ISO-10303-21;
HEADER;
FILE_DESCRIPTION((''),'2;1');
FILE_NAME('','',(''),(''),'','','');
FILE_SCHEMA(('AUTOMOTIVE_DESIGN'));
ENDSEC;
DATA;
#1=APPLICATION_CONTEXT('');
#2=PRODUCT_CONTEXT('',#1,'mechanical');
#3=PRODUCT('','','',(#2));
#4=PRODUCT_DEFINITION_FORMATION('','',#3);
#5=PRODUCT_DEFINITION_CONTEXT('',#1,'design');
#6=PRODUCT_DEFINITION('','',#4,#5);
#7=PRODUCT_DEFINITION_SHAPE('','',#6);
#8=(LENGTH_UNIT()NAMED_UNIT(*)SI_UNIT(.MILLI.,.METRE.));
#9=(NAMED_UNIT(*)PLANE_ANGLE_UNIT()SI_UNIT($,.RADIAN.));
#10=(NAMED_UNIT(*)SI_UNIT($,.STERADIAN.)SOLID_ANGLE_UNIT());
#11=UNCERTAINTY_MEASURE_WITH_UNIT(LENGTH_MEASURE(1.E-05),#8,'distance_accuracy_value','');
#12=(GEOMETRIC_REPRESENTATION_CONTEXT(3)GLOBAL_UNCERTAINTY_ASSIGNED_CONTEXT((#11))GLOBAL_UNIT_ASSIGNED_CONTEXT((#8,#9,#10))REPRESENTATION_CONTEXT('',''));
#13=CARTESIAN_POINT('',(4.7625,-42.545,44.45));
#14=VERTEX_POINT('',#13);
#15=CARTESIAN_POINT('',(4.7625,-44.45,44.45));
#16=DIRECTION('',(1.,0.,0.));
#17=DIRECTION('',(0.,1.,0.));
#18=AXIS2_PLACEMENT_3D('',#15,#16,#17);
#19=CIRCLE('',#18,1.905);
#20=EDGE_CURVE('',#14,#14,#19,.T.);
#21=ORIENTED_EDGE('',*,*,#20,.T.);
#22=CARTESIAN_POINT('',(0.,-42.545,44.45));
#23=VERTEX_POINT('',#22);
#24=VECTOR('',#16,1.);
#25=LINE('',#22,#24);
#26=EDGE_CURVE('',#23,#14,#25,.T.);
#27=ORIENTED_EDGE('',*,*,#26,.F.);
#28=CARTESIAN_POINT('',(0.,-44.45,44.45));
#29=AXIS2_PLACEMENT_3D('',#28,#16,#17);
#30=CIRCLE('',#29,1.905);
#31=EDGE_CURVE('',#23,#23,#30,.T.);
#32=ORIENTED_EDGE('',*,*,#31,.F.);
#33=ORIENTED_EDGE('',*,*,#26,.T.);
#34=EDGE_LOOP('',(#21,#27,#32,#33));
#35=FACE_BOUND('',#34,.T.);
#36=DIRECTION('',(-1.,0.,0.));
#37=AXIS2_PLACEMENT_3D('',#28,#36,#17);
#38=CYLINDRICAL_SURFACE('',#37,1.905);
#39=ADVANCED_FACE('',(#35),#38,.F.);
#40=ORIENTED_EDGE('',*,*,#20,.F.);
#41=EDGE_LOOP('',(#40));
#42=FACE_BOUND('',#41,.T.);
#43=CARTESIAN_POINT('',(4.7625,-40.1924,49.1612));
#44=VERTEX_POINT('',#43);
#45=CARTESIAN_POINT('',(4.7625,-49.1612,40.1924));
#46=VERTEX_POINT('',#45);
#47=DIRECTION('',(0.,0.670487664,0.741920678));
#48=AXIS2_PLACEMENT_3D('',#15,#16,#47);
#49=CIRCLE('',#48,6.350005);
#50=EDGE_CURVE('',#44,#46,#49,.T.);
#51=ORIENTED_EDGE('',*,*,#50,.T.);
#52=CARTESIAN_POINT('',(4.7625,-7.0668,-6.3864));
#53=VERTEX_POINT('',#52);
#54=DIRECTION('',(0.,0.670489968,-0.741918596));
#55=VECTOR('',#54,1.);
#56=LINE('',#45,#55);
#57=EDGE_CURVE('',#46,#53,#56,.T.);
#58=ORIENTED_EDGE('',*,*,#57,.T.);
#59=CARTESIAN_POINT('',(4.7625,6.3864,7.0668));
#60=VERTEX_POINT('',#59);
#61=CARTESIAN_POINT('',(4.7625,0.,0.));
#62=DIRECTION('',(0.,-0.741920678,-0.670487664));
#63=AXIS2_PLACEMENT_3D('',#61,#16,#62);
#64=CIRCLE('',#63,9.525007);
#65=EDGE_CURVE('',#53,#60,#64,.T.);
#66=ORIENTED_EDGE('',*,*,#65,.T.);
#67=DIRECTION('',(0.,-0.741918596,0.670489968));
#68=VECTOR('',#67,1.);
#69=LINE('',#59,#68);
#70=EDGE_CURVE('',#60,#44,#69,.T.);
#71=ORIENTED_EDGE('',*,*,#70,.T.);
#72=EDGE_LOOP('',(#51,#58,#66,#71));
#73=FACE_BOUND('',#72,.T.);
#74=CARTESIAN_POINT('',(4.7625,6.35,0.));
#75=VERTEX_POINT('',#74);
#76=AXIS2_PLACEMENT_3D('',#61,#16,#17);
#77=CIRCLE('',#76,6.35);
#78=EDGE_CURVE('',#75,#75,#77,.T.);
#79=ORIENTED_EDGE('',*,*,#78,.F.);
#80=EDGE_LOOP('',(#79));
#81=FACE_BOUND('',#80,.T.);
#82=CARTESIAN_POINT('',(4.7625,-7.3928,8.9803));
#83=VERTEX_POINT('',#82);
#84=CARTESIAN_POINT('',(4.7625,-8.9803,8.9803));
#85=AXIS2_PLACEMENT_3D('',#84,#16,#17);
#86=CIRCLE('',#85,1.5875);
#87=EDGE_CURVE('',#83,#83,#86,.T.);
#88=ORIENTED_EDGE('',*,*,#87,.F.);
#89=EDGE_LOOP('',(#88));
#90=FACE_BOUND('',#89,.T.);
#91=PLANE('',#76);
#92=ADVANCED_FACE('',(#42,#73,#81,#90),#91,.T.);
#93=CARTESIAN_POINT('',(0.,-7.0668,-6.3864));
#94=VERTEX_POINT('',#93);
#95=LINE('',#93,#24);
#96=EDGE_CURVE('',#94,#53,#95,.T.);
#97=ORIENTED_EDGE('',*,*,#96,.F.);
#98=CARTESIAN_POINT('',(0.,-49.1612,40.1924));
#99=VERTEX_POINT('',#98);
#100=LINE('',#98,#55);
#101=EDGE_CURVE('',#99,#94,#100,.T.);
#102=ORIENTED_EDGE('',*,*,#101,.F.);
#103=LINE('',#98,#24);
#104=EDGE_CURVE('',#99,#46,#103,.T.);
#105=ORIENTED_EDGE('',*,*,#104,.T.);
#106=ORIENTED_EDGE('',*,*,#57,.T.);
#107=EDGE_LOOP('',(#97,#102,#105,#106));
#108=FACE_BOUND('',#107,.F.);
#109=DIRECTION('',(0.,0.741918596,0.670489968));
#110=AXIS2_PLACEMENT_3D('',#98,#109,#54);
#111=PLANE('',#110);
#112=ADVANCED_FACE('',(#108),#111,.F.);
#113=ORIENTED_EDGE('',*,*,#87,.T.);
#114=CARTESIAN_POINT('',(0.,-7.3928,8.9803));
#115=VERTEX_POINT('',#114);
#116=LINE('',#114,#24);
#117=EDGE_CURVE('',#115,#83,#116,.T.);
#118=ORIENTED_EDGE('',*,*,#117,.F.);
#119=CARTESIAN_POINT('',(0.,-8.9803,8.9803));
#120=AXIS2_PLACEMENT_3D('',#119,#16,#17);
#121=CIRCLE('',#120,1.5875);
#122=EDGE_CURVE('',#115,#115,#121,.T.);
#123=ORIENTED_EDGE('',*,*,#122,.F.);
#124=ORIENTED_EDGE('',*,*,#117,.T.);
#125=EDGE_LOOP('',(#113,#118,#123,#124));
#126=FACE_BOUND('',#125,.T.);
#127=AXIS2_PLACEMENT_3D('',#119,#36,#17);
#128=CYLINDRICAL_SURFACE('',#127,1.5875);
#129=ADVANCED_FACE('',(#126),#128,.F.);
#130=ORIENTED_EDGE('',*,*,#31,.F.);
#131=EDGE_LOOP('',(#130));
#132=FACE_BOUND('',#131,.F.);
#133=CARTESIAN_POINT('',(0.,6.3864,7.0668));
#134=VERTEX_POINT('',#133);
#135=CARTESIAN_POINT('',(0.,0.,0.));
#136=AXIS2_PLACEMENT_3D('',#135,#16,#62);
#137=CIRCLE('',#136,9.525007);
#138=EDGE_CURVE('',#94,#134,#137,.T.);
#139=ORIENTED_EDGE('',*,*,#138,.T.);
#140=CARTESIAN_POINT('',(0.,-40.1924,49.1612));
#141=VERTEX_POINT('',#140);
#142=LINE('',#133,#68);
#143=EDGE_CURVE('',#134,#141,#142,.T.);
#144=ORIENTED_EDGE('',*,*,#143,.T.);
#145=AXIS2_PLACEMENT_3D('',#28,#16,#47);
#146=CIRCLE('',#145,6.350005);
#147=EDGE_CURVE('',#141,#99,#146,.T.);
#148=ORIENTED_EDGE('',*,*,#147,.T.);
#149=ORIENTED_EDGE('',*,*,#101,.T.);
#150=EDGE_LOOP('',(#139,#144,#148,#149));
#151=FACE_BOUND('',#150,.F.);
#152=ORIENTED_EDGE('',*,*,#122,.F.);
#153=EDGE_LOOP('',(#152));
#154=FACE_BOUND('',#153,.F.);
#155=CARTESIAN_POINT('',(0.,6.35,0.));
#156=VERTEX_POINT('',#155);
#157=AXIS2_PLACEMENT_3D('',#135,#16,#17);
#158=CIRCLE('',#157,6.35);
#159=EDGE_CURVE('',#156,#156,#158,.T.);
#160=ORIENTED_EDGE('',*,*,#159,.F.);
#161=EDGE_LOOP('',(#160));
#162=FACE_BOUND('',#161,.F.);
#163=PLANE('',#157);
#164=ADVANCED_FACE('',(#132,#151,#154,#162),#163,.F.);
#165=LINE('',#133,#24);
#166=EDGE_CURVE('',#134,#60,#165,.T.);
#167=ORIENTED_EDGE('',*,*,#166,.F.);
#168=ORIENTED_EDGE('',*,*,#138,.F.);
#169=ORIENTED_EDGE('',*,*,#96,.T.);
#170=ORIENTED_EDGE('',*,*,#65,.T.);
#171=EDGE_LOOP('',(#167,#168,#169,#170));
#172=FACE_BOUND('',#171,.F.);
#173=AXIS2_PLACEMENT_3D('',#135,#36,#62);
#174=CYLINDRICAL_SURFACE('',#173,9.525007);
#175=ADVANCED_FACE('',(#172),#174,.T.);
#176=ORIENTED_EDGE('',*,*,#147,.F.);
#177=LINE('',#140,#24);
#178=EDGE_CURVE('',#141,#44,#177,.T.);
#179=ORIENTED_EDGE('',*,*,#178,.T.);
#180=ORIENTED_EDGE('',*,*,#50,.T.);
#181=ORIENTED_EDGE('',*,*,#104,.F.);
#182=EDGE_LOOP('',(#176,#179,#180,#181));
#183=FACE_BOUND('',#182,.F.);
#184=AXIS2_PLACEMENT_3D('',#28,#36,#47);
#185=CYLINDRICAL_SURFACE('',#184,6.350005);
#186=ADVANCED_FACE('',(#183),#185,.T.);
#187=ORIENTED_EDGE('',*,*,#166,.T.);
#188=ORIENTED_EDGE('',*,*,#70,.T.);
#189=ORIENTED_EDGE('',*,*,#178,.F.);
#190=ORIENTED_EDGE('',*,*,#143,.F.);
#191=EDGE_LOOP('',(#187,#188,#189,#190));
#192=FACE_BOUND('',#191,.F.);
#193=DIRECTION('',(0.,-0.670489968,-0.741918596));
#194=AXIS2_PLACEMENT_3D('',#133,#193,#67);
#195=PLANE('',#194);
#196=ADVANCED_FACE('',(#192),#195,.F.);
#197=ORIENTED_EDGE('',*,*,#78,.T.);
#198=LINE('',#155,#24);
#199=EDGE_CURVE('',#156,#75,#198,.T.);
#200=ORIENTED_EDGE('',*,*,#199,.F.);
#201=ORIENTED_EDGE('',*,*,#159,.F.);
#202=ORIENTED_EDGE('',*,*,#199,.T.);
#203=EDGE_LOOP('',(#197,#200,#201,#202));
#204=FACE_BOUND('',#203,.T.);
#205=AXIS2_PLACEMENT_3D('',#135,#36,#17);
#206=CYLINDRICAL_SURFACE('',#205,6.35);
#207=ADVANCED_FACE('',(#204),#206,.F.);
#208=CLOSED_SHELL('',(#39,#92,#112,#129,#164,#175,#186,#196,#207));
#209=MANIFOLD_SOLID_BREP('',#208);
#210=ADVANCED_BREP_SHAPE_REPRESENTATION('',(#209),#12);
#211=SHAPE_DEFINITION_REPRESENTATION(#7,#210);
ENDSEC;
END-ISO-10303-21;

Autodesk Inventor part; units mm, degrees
ref_plane "YZ Plane" through (0, 0, 0) normal (1, 0, 0) x (0, 1, 0)
ref_plane "XZ Plane" through (0, 0, 0) normal (0, 1, 0) x (-1, 0, 0)
ref_plane "XY Plane" through (0, 0, 0) normal (0, 0, 1) x (1, 0, 0)
sketch "Sketch1" plane through (0, 0, 0) normal (1, 0, 0) x (0, 1, 0)
  circle A0 centre (0, 0) radius 6.35
  circle A1 centre (-44.45, 44.45) radius 1.905
  arc A2 (-40.1924, 49.1612) -> (-49.1612, 40.1924) centre (-44.45, 44.45) ccw
  arc A3 (-7.0668, -6.3864) -> (6.3864, 7.0668) centre (0, 0) ccw
  line L0 (0, 0) -> (0, -9.525) construction
  line L1 (0, 0) -> (-44.45, 44.45) construction
  line L2 (0, 0) -> (-44.45, -44.45) construction
  line L3 (0, 0) -> (-64.9365, 0) construction
  line L4 (-44.45, 44.45) -> (-48.9401, 48.9401) construction
  circle A4 centre (-8.9803, 8.9803) radius 1.5875
  line L5 (-49.1612, 40.1924) -> (-7.0668, -6.3864)
  line L6 (6.3864, 7.0668) -> (-40.1924, 49.1612)
  dimension "d0" = 12.7
  dimension "d1" = 3.81
  dimension "d10" = 12.7
  dimension "d15" = 88.9
  dimension "d16" = 3.175
  dimension "d17" = 12.7
  dimension "d18" = 9.525
extrude "Extrusion1" add sketch "Sketch1" along normal blind 4.7625
properties part number "torque arm"
